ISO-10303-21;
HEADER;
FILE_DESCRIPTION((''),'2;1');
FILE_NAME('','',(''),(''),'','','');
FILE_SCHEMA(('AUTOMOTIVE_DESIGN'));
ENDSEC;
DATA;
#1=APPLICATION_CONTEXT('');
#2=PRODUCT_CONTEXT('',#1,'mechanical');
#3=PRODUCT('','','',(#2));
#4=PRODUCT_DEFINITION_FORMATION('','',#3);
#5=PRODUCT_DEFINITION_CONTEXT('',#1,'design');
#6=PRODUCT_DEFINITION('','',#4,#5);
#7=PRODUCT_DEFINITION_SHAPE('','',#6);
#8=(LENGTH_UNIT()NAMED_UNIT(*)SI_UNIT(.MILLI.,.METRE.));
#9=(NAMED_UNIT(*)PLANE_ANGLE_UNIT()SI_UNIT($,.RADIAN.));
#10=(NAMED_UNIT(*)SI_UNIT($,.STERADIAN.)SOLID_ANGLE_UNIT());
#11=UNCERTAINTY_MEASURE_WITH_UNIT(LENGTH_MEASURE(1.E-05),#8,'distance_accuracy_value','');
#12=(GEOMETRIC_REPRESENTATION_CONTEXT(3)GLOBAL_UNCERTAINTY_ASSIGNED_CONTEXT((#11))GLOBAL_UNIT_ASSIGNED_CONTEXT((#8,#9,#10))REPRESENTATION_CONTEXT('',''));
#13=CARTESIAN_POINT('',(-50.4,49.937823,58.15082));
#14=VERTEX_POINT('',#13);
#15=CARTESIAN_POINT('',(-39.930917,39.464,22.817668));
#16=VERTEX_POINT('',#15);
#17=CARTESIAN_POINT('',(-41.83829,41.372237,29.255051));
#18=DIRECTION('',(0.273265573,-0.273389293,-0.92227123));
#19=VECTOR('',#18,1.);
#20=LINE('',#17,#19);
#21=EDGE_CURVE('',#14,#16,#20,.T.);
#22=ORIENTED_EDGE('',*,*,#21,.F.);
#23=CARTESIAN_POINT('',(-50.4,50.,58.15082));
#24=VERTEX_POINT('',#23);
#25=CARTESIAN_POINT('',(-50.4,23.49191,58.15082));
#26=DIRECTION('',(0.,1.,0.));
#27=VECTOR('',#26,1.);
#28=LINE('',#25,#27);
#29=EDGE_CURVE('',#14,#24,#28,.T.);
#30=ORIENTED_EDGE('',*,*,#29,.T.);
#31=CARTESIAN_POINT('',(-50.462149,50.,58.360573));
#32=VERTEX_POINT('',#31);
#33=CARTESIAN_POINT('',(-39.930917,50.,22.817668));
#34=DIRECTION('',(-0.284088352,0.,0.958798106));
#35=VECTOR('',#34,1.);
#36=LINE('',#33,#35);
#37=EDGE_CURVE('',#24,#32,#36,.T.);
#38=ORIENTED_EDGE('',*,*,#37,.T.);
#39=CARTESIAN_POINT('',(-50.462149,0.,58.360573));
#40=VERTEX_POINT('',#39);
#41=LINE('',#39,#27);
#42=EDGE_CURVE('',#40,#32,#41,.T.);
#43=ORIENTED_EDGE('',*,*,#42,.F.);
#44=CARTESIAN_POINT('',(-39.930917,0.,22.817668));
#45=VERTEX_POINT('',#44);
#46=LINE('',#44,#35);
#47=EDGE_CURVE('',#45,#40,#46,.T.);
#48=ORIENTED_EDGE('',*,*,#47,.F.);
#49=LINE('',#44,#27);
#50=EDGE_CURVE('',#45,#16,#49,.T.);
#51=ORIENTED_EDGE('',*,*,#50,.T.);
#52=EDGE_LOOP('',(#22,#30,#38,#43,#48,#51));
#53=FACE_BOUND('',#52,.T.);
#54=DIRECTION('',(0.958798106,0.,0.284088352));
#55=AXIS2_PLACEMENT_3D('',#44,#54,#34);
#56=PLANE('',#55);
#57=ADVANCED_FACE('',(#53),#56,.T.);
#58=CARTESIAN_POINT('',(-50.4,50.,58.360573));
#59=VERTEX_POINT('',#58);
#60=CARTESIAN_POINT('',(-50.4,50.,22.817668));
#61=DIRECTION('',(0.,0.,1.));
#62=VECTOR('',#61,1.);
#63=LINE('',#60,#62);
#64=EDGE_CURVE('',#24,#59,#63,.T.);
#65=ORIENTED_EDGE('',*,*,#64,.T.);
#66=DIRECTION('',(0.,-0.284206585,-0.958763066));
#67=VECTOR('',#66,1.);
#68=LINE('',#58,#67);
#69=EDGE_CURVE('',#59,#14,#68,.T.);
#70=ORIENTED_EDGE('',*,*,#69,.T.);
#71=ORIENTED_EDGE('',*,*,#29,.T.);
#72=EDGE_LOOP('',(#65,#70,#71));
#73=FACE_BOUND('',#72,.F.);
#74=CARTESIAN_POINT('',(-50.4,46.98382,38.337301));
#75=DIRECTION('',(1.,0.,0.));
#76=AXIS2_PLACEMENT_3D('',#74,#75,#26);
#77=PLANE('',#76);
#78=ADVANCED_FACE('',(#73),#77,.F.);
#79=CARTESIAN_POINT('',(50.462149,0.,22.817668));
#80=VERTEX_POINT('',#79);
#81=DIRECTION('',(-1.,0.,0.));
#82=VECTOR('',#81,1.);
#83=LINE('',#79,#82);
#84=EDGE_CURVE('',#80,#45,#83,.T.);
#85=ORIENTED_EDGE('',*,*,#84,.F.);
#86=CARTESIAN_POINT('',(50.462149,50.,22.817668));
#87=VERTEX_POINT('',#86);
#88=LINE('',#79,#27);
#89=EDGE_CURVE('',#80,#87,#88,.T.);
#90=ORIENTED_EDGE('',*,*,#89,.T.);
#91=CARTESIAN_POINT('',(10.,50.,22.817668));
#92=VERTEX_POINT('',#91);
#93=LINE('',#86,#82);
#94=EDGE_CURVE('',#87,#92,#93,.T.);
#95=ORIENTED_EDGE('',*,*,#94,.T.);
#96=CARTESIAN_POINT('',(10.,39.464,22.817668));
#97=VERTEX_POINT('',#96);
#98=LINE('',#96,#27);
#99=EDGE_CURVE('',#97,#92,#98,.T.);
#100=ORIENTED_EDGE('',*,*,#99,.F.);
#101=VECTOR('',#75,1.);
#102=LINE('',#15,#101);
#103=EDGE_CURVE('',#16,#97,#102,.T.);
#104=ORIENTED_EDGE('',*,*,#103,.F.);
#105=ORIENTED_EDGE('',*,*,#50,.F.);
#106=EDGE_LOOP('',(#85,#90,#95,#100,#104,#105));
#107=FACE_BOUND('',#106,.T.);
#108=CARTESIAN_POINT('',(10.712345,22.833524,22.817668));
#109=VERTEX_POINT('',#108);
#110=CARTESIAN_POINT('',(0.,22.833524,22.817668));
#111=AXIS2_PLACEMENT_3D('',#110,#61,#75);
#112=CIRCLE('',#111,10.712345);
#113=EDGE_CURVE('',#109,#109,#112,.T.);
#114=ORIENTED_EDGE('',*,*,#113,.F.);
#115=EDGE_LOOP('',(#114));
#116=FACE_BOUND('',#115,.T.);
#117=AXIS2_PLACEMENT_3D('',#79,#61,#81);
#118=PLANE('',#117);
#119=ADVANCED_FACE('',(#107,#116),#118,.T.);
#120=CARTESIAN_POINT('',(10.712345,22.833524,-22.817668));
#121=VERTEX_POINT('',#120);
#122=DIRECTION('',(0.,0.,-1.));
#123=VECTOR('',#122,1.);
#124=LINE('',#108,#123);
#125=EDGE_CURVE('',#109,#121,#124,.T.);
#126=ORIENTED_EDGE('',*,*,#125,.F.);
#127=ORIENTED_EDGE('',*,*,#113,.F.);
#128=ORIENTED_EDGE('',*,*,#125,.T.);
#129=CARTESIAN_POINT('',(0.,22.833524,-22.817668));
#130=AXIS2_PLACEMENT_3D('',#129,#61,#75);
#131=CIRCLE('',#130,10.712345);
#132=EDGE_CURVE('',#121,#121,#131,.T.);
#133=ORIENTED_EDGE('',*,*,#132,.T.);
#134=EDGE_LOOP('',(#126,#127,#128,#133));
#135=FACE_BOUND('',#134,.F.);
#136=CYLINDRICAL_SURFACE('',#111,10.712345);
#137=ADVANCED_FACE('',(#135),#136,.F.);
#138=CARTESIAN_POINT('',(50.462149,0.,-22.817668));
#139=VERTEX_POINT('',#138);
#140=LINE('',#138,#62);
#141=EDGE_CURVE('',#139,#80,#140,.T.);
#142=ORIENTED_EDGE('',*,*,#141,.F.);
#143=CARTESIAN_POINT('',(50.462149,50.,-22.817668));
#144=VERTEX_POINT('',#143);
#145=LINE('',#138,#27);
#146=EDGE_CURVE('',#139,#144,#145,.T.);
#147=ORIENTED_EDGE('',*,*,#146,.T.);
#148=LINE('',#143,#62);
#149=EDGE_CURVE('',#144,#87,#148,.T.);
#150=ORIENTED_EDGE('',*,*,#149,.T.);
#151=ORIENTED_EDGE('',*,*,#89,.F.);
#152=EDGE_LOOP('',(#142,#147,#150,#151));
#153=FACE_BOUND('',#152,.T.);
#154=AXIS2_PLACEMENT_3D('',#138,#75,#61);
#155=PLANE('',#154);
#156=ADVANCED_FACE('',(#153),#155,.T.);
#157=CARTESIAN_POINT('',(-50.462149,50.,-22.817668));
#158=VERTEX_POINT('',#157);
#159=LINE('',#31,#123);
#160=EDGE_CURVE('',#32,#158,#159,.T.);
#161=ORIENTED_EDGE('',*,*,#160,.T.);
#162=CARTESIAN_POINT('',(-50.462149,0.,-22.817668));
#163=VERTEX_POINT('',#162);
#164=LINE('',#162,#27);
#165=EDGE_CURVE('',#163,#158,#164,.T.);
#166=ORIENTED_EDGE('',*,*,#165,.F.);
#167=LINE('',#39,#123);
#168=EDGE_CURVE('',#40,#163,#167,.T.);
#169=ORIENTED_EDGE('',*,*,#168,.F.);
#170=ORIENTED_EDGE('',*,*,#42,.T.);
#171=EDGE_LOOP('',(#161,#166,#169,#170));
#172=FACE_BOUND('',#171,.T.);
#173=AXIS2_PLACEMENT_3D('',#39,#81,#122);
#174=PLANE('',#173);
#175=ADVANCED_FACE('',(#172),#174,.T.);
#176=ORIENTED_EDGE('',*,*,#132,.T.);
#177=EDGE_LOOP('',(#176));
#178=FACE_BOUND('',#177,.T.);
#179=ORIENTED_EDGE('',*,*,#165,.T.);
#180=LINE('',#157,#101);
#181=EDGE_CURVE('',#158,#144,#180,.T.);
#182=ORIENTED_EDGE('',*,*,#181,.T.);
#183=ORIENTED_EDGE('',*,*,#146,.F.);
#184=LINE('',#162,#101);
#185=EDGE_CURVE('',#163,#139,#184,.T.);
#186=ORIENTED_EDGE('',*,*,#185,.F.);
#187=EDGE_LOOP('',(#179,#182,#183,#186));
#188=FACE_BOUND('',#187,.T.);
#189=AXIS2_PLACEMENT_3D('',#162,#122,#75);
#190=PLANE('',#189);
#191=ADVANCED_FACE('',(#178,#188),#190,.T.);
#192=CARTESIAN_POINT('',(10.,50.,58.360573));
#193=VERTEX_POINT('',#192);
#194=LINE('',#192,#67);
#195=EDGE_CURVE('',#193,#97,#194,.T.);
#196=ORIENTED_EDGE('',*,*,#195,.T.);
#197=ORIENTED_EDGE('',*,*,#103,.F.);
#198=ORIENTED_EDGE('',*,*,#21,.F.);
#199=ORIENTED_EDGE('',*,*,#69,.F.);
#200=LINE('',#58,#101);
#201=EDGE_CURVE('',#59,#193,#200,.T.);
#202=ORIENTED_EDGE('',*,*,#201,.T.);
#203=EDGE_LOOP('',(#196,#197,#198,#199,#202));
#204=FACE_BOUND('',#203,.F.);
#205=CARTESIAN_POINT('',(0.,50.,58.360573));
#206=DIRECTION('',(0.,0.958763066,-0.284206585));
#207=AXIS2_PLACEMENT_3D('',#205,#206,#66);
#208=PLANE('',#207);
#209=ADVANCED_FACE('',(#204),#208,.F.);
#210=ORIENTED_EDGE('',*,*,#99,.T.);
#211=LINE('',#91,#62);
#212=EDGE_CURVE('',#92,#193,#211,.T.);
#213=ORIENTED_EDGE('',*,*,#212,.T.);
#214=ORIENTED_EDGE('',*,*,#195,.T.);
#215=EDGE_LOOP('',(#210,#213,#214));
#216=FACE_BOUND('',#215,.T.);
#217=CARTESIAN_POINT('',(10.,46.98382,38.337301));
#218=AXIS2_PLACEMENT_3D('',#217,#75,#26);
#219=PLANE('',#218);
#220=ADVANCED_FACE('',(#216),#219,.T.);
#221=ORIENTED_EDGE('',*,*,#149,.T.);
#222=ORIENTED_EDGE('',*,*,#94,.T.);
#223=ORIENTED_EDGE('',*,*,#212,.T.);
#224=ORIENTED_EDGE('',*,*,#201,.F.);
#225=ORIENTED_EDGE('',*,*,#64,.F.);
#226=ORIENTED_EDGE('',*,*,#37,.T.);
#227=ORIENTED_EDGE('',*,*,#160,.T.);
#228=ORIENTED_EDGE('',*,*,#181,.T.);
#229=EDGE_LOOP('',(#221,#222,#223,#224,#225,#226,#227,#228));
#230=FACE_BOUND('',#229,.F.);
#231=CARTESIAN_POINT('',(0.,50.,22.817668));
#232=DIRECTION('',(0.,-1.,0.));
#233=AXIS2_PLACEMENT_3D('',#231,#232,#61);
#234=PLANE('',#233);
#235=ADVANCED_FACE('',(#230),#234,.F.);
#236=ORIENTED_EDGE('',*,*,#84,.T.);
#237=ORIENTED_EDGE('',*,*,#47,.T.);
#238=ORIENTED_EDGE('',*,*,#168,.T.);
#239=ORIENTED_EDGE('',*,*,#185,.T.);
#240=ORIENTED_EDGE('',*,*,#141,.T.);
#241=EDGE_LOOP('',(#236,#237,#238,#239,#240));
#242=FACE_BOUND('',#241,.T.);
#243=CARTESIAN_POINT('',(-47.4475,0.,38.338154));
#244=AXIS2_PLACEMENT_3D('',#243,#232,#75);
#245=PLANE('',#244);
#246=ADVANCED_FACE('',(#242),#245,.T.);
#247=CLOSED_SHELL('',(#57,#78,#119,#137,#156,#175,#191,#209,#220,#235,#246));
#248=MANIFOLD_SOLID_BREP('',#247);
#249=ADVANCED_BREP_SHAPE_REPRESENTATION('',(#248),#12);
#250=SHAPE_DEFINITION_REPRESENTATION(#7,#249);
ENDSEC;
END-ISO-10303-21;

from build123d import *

# Parameters (mm, degrees)
F1_DEPTH = 50
F3_DEPTH = 50.4
F4_R     = 10.712345
F5_DEPTH = 50
F6_DEPTH = 10


with BuildPart() as f1:
    # F0 (on Front) → F1 (new body)
    with BuildSketch(Plane.XZ):
        Polygon((-50.462149, 58.360573), (-50.462149, 22.817668), (-39.930917, 22.817668), align=None)
        Polygon((-39.930917, 22.817668), (-50.462149, 22.817668), (-50.462149, -22.817668), (50.462149, -22.817668), (50.462149, 22.817668), align=None)
    extrude(amount=-F1_DEPTH)

    # F2 (on Right) → F3 (join)
    with BuildSketch(Plane.YZ):
        Polygon((39.464, 22.817668), (50, 22.817668), (50, 58.360573), align=None)
    extrude(amount=-F3_DEPTH)

    # F4 (on face) → F5 (cut)
    with BuildSketch(Plane.XY.offset(22.817668)):
        with Locations((0, 22.833524)):
            Circle(F4_R)
    extrude(amount=-F5_DEPTH, mode=Mode.SUBTRACT)

    # F3_face (on face) → F6 (join)
    with BuildSketch(Plane(origin=(0, 46.488, 34.665303), x_dir=(0, 1, 0), z_dir=(1, 0, 0))):
        Polygon((-7.024, -11.847635), (3.512, -11.847635), (3.512, 23.69527), align=None)
    extrude(amount=F6_DEPTH)


solid = f1.part
